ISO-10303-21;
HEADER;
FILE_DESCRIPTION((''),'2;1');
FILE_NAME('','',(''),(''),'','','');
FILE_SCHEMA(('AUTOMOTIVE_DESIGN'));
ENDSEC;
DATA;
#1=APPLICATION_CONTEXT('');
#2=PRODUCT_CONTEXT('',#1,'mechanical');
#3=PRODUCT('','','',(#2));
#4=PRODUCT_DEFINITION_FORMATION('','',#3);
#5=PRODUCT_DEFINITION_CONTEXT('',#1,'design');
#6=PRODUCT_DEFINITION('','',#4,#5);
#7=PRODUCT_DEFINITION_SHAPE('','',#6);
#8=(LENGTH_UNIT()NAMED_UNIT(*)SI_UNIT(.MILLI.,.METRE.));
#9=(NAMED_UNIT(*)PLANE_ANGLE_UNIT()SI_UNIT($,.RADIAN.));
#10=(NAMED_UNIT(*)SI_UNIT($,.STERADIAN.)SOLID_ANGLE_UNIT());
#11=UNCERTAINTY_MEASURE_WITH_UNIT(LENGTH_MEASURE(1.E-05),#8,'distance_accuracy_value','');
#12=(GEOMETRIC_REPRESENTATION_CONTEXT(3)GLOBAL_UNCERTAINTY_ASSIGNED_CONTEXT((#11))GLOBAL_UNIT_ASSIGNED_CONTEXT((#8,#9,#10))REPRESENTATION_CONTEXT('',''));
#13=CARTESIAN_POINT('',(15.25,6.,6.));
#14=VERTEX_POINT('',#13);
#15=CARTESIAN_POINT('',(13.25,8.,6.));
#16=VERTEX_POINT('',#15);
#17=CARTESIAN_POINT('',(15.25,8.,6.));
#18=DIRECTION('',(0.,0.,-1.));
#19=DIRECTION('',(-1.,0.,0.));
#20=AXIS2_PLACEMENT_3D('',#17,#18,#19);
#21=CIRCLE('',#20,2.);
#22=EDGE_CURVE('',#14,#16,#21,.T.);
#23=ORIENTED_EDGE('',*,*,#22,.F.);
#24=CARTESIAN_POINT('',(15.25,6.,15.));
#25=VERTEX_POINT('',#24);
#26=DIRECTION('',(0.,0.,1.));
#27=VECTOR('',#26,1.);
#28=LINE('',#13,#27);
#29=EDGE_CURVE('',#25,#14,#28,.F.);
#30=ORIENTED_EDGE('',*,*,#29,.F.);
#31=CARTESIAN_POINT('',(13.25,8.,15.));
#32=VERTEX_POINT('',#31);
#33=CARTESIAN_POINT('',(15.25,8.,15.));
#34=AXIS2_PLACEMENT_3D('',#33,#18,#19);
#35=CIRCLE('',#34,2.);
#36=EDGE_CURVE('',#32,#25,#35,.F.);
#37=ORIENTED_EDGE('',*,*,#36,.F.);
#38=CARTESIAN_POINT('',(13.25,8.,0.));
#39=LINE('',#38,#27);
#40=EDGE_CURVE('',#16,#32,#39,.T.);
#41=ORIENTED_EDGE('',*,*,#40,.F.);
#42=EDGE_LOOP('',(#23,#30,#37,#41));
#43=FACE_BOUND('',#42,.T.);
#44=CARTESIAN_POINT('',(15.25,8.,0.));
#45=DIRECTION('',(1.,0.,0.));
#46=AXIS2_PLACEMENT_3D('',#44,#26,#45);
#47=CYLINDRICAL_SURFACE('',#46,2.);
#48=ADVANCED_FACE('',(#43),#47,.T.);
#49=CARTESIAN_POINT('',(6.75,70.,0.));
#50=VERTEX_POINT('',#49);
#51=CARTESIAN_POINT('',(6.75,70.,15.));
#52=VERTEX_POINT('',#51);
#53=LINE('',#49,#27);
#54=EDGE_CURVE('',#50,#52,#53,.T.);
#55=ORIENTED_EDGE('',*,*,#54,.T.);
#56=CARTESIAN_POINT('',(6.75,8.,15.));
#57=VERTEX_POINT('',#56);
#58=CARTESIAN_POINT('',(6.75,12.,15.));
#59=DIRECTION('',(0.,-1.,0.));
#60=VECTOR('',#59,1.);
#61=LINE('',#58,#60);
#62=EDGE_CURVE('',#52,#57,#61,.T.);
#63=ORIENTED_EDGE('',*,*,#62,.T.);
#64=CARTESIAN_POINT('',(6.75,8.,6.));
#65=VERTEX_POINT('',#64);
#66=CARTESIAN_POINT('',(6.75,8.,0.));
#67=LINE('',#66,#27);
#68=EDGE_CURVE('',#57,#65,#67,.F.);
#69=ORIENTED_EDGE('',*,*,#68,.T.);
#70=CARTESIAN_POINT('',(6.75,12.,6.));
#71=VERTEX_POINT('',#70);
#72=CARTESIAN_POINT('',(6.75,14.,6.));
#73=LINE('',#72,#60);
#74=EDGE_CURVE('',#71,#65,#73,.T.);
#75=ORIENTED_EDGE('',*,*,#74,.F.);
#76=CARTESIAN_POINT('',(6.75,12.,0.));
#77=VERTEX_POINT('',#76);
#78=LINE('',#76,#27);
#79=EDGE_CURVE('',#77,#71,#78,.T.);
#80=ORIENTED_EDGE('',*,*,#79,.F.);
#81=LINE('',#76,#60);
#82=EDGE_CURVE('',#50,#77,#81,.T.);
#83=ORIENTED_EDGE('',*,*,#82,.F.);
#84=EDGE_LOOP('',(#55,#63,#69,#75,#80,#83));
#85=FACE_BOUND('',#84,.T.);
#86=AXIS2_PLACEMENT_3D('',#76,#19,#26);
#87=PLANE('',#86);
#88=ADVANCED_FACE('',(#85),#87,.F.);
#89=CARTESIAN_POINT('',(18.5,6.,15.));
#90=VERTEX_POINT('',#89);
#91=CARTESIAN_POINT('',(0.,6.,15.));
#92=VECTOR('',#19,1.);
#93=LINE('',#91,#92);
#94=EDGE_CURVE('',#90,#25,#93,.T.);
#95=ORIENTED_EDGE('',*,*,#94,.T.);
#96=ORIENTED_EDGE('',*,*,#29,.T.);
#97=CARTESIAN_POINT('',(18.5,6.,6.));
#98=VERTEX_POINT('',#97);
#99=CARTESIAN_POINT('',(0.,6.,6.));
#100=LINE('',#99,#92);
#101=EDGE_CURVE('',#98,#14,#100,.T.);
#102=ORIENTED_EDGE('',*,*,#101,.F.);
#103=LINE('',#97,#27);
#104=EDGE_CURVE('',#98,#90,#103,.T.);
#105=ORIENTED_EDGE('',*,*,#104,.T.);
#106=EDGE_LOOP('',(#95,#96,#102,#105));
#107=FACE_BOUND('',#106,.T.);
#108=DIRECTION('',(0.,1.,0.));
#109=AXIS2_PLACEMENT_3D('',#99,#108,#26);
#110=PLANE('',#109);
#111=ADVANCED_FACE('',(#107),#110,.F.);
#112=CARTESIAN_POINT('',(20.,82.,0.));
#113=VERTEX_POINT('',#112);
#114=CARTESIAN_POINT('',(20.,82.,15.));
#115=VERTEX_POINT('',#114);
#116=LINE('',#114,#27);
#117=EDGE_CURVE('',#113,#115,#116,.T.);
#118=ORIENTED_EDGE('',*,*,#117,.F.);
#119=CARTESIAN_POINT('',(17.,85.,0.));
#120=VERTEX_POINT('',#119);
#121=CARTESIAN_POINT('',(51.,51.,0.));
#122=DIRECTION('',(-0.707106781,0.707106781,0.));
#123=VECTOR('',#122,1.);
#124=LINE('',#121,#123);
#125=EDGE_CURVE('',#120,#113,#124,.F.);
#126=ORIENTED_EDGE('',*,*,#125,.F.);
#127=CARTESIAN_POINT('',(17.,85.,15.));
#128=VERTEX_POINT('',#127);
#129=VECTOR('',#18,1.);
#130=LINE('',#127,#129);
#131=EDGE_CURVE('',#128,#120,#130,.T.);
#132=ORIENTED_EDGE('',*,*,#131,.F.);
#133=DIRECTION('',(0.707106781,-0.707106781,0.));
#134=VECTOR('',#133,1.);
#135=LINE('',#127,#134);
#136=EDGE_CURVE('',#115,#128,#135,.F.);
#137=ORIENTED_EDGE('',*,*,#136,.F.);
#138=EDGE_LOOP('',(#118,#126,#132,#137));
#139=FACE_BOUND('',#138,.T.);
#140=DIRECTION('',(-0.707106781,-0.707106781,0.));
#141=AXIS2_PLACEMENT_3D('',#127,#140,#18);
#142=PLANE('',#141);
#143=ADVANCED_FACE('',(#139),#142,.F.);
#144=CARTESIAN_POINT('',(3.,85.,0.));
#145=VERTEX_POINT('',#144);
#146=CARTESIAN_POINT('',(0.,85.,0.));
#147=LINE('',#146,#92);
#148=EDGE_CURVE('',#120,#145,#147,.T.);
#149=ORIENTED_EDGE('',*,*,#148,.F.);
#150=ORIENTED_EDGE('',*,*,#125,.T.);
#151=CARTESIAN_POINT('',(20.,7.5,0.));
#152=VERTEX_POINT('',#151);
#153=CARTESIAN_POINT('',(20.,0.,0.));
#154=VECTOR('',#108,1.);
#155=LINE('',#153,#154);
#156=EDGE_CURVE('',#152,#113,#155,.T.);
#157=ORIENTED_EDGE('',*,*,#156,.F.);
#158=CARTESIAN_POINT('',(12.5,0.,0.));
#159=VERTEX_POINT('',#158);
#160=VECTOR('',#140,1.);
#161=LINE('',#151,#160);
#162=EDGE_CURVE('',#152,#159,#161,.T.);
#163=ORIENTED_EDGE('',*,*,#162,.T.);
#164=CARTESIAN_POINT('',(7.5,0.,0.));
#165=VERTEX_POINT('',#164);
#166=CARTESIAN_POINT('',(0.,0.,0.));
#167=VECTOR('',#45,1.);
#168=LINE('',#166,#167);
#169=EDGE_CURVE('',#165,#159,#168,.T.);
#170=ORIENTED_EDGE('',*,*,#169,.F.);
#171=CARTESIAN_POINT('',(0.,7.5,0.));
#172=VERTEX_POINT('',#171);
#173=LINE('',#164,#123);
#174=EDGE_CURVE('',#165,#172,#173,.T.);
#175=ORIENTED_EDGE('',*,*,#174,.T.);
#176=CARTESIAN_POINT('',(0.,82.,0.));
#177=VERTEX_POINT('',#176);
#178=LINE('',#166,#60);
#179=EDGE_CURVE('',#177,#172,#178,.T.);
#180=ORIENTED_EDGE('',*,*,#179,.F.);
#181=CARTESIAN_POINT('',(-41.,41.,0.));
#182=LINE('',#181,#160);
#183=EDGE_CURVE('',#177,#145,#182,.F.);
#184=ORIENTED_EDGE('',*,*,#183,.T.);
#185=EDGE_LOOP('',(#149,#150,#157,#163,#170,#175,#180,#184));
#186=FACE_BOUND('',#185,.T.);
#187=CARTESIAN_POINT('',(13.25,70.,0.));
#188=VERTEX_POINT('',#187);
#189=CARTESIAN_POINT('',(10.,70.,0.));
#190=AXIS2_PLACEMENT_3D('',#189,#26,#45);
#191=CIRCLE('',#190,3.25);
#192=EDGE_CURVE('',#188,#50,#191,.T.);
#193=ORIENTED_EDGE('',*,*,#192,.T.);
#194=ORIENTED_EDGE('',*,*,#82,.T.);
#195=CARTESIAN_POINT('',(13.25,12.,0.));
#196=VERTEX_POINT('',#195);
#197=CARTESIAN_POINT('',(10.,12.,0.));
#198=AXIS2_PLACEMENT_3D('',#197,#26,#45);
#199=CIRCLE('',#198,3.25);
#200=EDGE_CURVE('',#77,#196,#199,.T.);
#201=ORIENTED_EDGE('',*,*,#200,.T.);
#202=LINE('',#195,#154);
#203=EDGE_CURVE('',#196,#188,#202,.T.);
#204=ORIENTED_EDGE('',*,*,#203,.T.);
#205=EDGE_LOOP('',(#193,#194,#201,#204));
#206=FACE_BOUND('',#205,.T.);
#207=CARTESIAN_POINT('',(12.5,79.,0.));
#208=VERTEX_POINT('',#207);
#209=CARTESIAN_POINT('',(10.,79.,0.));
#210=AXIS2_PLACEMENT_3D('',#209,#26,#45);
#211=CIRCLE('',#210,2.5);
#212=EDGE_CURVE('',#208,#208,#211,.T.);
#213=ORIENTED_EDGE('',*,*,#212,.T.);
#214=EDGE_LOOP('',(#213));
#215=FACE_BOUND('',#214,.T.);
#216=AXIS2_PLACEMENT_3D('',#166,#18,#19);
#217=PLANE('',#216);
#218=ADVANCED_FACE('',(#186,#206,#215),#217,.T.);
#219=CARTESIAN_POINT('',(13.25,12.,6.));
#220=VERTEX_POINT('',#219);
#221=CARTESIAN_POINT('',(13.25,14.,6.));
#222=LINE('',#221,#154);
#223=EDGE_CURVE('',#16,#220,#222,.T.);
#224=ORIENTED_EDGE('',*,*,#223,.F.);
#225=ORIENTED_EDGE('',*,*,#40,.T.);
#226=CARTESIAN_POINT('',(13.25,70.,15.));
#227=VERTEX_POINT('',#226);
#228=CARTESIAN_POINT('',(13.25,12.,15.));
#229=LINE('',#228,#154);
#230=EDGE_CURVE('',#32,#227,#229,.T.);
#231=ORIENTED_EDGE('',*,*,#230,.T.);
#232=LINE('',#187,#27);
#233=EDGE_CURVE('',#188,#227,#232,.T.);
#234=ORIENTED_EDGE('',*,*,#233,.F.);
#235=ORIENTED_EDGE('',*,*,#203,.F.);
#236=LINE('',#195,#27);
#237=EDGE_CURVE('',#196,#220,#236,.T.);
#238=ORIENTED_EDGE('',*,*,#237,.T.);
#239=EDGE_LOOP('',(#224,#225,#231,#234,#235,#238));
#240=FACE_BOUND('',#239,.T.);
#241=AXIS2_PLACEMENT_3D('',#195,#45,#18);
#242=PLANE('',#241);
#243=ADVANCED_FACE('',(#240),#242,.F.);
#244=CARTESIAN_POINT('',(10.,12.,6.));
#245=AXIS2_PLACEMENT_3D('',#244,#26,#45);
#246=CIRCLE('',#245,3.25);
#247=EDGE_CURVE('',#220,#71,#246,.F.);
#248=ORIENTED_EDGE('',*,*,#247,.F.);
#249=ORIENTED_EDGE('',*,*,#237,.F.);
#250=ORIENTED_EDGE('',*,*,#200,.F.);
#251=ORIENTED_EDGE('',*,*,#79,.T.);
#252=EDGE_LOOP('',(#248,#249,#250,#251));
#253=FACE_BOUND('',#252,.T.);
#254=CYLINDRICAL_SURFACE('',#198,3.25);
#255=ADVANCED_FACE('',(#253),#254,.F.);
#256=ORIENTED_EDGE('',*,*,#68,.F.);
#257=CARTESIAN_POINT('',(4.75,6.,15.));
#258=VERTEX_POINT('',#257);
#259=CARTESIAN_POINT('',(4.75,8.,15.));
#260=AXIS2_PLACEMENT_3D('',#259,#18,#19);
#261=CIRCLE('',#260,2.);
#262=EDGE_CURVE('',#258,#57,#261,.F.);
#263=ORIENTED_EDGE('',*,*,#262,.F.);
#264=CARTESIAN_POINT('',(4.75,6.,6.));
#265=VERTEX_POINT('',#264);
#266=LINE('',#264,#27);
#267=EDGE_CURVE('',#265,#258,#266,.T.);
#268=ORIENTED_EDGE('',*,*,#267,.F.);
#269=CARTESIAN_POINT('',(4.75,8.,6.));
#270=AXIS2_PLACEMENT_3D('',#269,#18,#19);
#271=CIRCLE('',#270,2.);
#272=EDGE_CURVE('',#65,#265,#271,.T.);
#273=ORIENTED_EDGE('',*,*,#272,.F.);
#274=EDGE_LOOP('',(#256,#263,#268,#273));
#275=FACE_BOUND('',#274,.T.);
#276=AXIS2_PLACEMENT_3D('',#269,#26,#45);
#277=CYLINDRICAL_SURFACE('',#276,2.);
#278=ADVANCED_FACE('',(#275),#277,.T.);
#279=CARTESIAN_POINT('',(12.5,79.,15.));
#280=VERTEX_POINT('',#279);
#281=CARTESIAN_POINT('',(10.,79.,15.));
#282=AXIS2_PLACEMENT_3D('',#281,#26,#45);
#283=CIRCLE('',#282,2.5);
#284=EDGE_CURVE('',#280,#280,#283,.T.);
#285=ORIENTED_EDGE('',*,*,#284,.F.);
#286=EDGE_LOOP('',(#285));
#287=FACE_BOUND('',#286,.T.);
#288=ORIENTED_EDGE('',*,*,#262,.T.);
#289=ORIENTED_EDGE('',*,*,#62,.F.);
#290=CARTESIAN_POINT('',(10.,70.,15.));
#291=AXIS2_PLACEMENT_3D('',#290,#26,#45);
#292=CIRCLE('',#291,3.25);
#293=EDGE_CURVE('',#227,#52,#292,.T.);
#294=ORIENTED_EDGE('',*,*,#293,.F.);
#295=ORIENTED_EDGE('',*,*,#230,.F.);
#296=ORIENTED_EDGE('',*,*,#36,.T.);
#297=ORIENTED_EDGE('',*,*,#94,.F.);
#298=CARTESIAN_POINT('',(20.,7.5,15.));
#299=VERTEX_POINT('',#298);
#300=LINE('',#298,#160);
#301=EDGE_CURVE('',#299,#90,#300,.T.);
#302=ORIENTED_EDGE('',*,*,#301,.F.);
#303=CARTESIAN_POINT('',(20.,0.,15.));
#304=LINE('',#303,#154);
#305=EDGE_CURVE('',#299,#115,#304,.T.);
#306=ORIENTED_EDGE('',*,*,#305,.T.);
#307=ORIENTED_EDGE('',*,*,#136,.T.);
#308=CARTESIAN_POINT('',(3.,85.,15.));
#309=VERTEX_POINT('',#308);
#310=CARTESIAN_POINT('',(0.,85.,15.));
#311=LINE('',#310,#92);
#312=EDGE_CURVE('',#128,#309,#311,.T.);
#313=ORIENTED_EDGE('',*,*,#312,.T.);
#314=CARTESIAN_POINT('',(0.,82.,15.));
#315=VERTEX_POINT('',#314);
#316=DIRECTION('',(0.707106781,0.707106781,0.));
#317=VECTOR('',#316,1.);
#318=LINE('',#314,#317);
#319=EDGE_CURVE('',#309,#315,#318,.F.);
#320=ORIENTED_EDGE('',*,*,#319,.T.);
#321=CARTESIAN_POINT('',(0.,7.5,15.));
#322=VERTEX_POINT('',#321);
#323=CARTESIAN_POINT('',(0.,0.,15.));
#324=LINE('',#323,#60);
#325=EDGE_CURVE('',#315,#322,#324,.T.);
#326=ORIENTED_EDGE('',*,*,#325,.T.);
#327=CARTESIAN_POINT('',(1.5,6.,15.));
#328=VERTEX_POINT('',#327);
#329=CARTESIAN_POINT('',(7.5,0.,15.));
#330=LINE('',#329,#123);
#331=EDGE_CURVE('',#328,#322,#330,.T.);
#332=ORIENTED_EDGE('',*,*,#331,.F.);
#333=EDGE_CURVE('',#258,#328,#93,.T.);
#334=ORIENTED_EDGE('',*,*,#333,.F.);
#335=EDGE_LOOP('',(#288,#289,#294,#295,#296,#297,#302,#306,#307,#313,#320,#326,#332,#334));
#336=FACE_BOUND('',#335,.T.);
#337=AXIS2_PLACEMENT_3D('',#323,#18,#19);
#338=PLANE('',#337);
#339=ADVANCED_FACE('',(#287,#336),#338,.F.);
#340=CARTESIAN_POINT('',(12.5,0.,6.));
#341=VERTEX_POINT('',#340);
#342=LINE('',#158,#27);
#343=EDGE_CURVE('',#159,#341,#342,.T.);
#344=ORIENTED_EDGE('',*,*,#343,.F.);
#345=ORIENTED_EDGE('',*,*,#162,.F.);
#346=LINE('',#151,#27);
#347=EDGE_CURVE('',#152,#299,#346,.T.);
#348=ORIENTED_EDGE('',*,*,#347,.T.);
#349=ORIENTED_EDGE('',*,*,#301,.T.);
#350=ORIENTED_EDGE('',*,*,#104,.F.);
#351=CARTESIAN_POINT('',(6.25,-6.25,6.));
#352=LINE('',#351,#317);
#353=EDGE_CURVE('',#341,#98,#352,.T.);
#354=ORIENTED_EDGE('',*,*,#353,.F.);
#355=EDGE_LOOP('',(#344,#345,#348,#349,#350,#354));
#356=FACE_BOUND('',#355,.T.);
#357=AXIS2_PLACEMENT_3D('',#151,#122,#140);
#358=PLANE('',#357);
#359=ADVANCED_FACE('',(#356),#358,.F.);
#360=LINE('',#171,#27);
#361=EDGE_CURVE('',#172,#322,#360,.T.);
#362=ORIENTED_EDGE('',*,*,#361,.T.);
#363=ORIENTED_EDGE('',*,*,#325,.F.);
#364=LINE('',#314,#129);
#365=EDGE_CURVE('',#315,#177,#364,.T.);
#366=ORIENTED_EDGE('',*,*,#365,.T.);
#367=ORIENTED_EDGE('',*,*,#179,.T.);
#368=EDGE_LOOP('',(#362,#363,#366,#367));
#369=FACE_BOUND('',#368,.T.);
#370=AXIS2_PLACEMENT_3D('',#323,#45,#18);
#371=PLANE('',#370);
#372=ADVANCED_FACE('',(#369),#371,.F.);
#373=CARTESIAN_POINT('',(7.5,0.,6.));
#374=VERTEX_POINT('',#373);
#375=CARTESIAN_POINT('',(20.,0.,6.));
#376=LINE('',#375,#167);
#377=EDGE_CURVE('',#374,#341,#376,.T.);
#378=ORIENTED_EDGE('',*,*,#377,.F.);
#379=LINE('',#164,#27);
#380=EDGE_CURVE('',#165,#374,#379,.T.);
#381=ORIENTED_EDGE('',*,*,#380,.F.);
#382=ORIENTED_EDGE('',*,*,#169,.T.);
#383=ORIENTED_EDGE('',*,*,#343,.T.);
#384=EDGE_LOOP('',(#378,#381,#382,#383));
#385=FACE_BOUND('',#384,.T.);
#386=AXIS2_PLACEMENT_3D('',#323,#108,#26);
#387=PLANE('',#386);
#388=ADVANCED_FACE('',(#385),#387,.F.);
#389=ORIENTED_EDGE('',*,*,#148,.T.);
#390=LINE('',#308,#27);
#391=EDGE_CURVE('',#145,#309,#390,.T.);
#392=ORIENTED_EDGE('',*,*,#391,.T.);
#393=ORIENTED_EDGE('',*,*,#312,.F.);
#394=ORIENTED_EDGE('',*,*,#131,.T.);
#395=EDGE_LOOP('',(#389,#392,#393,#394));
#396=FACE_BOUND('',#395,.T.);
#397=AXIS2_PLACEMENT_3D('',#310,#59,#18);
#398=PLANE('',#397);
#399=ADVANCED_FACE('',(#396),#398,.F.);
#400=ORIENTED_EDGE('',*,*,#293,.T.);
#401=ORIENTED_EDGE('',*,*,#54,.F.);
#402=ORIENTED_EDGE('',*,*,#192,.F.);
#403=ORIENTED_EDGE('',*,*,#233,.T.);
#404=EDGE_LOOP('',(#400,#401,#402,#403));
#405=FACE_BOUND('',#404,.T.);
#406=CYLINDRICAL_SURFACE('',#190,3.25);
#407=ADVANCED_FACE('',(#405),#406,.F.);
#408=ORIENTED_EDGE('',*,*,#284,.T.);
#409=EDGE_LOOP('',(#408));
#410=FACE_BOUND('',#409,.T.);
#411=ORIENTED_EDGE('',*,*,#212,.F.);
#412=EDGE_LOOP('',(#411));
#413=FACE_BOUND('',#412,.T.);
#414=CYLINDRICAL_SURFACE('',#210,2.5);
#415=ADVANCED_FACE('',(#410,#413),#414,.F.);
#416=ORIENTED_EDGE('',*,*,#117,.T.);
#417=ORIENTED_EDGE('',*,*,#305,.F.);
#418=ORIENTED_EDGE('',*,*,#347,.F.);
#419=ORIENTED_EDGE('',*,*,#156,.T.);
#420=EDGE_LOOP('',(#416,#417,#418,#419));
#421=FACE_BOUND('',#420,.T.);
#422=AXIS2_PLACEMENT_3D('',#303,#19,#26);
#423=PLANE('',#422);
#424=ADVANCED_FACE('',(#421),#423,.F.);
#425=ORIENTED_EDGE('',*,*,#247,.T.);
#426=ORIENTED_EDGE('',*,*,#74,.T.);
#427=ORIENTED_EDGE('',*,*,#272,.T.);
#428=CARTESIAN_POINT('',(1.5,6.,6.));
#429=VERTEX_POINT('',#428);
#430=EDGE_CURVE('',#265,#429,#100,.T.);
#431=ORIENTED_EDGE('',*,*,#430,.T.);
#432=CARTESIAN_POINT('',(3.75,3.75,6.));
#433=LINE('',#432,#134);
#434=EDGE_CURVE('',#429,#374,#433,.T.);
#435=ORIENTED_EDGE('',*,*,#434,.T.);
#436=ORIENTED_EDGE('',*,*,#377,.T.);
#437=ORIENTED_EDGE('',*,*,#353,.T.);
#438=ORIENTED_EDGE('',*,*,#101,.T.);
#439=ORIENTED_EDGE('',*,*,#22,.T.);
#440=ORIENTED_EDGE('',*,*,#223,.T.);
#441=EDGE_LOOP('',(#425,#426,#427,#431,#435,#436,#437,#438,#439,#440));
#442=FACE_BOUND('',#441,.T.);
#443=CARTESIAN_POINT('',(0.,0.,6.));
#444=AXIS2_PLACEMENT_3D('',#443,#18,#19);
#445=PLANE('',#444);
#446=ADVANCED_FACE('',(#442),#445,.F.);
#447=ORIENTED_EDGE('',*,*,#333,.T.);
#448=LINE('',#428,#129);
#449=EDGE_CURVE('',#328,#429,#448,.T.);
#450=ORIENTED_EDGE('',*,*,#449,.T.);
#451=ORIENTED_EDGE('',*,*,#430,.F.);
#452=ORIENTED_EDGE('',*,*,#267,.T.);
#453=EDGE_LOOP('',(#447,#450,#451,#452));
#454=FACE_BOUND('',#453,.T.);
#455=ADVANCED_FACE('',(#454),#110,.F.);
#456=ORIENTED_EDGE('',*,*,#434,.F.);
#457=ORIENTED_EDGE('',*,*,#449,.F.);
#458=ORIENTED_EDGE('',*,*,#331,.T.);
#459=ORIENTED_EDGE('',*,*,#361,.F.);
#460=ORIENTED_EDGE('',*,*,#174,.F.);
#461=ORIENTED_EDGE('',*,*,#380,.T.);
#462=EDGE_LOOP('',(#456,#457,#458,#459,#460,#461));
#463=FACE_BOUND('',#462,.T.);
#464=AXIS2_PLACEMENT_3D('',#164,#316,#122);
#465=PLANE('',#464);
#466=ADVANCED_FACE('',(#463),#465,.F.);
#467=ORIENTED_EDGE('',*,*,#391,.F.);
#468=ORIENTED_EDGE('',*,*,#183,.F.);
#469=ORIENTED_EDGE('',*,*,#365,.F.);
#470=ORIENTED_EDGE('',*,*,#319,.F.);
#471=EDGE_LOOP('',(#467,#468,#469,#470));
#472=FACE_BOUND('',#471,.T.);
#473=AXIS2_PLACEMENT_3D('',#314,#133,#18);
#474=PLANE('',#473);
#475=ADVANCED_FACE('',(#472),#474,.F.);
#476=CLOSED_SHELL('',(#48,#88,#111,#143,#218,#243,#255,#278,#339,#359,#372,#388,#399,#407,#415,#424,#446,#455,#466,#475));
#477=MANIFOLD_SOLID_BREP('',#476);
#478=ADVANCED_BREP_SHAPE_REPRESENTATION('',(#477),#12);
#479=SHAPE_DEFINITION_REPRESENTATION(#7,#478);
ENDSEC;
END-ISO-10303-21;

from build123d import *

# Parameters (mm, degrees)
ESQUISSE1_W             = 20
ESQUISSE1_H             = 85
BOSS_EXTRU_1_DEPTH      = 15
ESQUISSE2_R             = 2.5
ENL_V_MAT_EXTRU_1_DEPTH = 15
ESQUISSE3_W             = 20
ESQUISSE3_H             = 6
ENL_V_MAT_EXTRU_2_DEPTH = 9
ENL_V_MAT_EXTRU_3_DEPTH = 15
ESQUISSE7_W             = 6.5
ESQUISSE7_H             = 8
ENL_V_MAT_EXTRU_4_DEPTH = 9
CONG_1_R                = 2
CHANFREIN1_SIZE         = 3


with BuildPart() as part:
    # Esquisse1 → Boss.-Extru.1 (new body)
    with BuildSketch(Plane.XY):
        with Locations((10, 42.5)):
            Rectangle(ESQUISSE1_W, ESQUISSE1_H)
    extrude(amount=BOSS_EXTRU_1_DEPTH)

    # Esquisse2 → Enlèv. mat.-Extru.1 (cut)
    with BuildSketch(Plane.XY.offset(15)):
        with Locations((10, 79)):
            Circle(ESQUISSE2_R)
        with BuildLine():
            Line((6.75, 12), (6.75, 70))
            ThreePointArc((6.75, 70), (10, 73.25), (13.25, 70))
            Line((13.25, 70), (13.25, 12))
            ThreePointArc((13.25, 12), (10, 8.75), (6.75, 12))
        make_face()
    extrude(amount=-ENL_V_MAT_EXTRU_1_DEPTH, mode=Mode.SUBTRACT)

    # Esquisse3 → Enlèv. mat.-Extru.2 (cut)
    with BuildSketch(Plane.XY.offset(15)):
        with Locations((10, 3)):
            Rectangle(ESQUISSE3_W, ESQUISSE3_H)
    extrude(amount=-ENL_V_MAT_EXTRU_2_DEPTH, mode=Mode.SUBTRACT)

    # Esquisse6 → Enlèv. mat.-Extru.3 (cut)
    with BuildSketch(Plane.XY.offset(15)):
        Polygon((7.5, 0), (0, 7.5), (0, -7.5), (20, -7.5), (20, 7.5), (12.5, 0), align=None)
    extrude(amount=-ENL_V_MAT_EXTRU_3_DEPTH, mode=Mode.SUBTRACT)

    # Esquisse7 → Enlèv. mat.-Extru.4 (cut)
    with BuildSketch(Plane.XY.offset(15)):
        with Locations((10, 10)):
            Rectangle(ESQUISSE7_W, ESQUISSE7_H)
    extrude(amount=-ENL_V_MAT_EXTRU_4_DEPTH, mode=Mode.SUBTRACT)

    # Congé1
    cong_1_edges = [part.edges().sort_by_distance(p)[0] for p in [
        (6.75, 6, 10.5),
        (13.25, 6, 10.5),
    ]]
    fillet(cong_1_edges, radius=CONG_1_R)

    # Chanfrein1
    chanfrein1_edges = [part.edges().sort_by_distance(p)[0] for p in [
        (0, 85, 7.5),
        (20, 85, 7.5),
    ]]
    chamfer(chanfrein1_edges, length=CHANFREIN1_SIZE)


solid = part.part
